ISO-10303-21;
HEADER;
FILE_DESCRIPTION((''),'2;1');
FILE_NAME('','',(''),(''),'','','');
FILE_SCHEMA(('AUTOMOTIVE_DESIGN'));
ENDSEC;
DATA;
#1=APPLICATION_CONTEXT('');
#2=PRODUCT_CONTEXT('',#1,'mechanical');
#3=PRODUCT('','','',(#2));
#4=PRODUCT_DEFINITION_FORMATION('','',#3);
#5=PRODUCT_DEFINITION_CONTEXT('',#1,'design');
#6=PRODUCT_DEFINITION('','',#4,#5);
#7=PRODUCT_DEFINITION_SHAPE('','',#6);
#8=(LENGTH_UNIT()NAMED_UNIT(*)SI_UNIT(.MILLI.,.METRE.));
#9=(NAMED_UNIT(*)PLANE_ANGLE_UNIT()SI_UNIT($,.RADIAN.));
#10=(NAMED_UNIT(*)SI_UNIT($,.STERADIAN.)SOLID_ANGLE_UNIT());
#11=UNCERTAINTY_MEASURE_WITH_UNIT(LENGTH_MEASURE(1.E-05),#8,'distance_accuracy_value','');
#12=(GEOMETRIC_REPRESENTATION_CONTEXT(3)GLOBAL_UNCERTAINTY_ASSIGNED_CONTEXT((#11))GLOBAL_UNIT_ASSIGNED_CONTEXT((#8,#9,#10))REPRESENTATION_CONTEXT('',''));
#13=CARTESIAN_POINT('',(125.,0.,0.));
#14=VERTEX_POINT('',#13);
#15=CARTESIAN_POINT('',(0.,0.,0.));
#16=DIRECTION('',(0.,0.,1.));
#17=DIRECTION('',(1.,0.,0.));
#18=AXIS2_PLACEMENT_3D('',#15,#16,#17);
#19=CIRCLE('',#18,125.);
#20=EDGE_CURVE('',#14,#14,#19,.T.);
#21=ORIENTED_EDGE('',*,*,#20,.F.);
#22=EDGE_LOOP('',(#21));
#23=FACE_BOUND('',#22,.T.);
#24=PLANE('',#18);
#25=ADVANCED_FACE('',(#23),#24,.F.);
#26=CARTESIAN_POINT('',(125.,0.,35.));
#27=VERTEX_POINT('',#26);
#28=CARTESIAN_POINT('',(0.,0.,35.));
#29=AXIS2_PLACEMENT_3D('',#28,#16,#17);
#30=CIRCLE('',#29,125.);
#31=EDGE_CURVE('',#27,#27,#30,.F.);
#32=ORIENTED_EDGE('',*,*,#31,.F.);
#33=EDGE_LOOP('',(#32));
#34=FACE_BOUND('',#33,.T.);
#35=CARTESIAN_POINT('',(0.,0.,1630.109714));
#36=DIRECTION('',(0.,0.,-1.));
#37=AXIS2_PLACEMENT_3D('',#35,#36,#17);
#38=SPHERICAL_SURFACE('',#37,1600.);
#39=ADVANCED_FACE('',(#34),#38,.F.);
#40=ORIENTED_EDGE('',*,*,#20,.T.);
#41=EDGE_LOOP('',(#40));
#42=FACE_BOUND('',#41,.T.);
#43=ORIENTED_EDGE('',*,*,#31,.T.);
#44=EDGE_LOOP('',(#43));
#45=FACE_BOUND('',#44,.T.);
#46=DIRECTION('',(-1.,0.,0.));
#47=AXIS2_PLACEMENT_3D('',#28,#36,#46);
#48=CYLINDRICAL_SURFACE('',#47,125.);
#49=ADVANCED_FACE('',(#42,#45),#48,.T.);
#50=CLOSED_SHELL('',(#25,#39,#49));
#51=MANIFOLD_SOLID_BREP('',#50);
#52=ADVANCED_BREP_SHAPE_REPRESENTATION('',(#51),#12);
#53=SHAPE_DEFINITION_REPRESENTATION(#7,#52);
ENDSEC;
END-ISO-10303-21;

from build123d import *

# Parameters (mm, degrees)
ESQUISSE1_R        = 125
BOSS_EXTRU_1_DEPTH = 35


with BuildPart() as part:
    # Esquisse1 → Boss.-Extru.1 (new body)
    with BuildSketch(Plane.XY):
        Circle(ESQUISSE1_R)
    extrude(amount=BOSS_EXTRU_1_DEPTH)

    # Esquisse2 → Enlèvement de matière-Révolution6 (revolve, cut)
    with BuildSketch(Plane(origin=(0, 0, 0), x_dir=(1, 0, 0), z_dir=(0, 1, 0))):
        with BuildLine():
            Line((0, -1630.109714095), (0, -30.109714095))
            ThreePointArc((0, -30.109714095), (1131.370849898, -498.738864196), (1600, -1630.109714095))
            Line((1600, -1630.109714095), (0, -1630.109714095))
        make_face()
    revolve(axis=Axis((0, 0, 0), (0, 0, 1)), mode=Mode.SUBTRACT)


solid = part.part
